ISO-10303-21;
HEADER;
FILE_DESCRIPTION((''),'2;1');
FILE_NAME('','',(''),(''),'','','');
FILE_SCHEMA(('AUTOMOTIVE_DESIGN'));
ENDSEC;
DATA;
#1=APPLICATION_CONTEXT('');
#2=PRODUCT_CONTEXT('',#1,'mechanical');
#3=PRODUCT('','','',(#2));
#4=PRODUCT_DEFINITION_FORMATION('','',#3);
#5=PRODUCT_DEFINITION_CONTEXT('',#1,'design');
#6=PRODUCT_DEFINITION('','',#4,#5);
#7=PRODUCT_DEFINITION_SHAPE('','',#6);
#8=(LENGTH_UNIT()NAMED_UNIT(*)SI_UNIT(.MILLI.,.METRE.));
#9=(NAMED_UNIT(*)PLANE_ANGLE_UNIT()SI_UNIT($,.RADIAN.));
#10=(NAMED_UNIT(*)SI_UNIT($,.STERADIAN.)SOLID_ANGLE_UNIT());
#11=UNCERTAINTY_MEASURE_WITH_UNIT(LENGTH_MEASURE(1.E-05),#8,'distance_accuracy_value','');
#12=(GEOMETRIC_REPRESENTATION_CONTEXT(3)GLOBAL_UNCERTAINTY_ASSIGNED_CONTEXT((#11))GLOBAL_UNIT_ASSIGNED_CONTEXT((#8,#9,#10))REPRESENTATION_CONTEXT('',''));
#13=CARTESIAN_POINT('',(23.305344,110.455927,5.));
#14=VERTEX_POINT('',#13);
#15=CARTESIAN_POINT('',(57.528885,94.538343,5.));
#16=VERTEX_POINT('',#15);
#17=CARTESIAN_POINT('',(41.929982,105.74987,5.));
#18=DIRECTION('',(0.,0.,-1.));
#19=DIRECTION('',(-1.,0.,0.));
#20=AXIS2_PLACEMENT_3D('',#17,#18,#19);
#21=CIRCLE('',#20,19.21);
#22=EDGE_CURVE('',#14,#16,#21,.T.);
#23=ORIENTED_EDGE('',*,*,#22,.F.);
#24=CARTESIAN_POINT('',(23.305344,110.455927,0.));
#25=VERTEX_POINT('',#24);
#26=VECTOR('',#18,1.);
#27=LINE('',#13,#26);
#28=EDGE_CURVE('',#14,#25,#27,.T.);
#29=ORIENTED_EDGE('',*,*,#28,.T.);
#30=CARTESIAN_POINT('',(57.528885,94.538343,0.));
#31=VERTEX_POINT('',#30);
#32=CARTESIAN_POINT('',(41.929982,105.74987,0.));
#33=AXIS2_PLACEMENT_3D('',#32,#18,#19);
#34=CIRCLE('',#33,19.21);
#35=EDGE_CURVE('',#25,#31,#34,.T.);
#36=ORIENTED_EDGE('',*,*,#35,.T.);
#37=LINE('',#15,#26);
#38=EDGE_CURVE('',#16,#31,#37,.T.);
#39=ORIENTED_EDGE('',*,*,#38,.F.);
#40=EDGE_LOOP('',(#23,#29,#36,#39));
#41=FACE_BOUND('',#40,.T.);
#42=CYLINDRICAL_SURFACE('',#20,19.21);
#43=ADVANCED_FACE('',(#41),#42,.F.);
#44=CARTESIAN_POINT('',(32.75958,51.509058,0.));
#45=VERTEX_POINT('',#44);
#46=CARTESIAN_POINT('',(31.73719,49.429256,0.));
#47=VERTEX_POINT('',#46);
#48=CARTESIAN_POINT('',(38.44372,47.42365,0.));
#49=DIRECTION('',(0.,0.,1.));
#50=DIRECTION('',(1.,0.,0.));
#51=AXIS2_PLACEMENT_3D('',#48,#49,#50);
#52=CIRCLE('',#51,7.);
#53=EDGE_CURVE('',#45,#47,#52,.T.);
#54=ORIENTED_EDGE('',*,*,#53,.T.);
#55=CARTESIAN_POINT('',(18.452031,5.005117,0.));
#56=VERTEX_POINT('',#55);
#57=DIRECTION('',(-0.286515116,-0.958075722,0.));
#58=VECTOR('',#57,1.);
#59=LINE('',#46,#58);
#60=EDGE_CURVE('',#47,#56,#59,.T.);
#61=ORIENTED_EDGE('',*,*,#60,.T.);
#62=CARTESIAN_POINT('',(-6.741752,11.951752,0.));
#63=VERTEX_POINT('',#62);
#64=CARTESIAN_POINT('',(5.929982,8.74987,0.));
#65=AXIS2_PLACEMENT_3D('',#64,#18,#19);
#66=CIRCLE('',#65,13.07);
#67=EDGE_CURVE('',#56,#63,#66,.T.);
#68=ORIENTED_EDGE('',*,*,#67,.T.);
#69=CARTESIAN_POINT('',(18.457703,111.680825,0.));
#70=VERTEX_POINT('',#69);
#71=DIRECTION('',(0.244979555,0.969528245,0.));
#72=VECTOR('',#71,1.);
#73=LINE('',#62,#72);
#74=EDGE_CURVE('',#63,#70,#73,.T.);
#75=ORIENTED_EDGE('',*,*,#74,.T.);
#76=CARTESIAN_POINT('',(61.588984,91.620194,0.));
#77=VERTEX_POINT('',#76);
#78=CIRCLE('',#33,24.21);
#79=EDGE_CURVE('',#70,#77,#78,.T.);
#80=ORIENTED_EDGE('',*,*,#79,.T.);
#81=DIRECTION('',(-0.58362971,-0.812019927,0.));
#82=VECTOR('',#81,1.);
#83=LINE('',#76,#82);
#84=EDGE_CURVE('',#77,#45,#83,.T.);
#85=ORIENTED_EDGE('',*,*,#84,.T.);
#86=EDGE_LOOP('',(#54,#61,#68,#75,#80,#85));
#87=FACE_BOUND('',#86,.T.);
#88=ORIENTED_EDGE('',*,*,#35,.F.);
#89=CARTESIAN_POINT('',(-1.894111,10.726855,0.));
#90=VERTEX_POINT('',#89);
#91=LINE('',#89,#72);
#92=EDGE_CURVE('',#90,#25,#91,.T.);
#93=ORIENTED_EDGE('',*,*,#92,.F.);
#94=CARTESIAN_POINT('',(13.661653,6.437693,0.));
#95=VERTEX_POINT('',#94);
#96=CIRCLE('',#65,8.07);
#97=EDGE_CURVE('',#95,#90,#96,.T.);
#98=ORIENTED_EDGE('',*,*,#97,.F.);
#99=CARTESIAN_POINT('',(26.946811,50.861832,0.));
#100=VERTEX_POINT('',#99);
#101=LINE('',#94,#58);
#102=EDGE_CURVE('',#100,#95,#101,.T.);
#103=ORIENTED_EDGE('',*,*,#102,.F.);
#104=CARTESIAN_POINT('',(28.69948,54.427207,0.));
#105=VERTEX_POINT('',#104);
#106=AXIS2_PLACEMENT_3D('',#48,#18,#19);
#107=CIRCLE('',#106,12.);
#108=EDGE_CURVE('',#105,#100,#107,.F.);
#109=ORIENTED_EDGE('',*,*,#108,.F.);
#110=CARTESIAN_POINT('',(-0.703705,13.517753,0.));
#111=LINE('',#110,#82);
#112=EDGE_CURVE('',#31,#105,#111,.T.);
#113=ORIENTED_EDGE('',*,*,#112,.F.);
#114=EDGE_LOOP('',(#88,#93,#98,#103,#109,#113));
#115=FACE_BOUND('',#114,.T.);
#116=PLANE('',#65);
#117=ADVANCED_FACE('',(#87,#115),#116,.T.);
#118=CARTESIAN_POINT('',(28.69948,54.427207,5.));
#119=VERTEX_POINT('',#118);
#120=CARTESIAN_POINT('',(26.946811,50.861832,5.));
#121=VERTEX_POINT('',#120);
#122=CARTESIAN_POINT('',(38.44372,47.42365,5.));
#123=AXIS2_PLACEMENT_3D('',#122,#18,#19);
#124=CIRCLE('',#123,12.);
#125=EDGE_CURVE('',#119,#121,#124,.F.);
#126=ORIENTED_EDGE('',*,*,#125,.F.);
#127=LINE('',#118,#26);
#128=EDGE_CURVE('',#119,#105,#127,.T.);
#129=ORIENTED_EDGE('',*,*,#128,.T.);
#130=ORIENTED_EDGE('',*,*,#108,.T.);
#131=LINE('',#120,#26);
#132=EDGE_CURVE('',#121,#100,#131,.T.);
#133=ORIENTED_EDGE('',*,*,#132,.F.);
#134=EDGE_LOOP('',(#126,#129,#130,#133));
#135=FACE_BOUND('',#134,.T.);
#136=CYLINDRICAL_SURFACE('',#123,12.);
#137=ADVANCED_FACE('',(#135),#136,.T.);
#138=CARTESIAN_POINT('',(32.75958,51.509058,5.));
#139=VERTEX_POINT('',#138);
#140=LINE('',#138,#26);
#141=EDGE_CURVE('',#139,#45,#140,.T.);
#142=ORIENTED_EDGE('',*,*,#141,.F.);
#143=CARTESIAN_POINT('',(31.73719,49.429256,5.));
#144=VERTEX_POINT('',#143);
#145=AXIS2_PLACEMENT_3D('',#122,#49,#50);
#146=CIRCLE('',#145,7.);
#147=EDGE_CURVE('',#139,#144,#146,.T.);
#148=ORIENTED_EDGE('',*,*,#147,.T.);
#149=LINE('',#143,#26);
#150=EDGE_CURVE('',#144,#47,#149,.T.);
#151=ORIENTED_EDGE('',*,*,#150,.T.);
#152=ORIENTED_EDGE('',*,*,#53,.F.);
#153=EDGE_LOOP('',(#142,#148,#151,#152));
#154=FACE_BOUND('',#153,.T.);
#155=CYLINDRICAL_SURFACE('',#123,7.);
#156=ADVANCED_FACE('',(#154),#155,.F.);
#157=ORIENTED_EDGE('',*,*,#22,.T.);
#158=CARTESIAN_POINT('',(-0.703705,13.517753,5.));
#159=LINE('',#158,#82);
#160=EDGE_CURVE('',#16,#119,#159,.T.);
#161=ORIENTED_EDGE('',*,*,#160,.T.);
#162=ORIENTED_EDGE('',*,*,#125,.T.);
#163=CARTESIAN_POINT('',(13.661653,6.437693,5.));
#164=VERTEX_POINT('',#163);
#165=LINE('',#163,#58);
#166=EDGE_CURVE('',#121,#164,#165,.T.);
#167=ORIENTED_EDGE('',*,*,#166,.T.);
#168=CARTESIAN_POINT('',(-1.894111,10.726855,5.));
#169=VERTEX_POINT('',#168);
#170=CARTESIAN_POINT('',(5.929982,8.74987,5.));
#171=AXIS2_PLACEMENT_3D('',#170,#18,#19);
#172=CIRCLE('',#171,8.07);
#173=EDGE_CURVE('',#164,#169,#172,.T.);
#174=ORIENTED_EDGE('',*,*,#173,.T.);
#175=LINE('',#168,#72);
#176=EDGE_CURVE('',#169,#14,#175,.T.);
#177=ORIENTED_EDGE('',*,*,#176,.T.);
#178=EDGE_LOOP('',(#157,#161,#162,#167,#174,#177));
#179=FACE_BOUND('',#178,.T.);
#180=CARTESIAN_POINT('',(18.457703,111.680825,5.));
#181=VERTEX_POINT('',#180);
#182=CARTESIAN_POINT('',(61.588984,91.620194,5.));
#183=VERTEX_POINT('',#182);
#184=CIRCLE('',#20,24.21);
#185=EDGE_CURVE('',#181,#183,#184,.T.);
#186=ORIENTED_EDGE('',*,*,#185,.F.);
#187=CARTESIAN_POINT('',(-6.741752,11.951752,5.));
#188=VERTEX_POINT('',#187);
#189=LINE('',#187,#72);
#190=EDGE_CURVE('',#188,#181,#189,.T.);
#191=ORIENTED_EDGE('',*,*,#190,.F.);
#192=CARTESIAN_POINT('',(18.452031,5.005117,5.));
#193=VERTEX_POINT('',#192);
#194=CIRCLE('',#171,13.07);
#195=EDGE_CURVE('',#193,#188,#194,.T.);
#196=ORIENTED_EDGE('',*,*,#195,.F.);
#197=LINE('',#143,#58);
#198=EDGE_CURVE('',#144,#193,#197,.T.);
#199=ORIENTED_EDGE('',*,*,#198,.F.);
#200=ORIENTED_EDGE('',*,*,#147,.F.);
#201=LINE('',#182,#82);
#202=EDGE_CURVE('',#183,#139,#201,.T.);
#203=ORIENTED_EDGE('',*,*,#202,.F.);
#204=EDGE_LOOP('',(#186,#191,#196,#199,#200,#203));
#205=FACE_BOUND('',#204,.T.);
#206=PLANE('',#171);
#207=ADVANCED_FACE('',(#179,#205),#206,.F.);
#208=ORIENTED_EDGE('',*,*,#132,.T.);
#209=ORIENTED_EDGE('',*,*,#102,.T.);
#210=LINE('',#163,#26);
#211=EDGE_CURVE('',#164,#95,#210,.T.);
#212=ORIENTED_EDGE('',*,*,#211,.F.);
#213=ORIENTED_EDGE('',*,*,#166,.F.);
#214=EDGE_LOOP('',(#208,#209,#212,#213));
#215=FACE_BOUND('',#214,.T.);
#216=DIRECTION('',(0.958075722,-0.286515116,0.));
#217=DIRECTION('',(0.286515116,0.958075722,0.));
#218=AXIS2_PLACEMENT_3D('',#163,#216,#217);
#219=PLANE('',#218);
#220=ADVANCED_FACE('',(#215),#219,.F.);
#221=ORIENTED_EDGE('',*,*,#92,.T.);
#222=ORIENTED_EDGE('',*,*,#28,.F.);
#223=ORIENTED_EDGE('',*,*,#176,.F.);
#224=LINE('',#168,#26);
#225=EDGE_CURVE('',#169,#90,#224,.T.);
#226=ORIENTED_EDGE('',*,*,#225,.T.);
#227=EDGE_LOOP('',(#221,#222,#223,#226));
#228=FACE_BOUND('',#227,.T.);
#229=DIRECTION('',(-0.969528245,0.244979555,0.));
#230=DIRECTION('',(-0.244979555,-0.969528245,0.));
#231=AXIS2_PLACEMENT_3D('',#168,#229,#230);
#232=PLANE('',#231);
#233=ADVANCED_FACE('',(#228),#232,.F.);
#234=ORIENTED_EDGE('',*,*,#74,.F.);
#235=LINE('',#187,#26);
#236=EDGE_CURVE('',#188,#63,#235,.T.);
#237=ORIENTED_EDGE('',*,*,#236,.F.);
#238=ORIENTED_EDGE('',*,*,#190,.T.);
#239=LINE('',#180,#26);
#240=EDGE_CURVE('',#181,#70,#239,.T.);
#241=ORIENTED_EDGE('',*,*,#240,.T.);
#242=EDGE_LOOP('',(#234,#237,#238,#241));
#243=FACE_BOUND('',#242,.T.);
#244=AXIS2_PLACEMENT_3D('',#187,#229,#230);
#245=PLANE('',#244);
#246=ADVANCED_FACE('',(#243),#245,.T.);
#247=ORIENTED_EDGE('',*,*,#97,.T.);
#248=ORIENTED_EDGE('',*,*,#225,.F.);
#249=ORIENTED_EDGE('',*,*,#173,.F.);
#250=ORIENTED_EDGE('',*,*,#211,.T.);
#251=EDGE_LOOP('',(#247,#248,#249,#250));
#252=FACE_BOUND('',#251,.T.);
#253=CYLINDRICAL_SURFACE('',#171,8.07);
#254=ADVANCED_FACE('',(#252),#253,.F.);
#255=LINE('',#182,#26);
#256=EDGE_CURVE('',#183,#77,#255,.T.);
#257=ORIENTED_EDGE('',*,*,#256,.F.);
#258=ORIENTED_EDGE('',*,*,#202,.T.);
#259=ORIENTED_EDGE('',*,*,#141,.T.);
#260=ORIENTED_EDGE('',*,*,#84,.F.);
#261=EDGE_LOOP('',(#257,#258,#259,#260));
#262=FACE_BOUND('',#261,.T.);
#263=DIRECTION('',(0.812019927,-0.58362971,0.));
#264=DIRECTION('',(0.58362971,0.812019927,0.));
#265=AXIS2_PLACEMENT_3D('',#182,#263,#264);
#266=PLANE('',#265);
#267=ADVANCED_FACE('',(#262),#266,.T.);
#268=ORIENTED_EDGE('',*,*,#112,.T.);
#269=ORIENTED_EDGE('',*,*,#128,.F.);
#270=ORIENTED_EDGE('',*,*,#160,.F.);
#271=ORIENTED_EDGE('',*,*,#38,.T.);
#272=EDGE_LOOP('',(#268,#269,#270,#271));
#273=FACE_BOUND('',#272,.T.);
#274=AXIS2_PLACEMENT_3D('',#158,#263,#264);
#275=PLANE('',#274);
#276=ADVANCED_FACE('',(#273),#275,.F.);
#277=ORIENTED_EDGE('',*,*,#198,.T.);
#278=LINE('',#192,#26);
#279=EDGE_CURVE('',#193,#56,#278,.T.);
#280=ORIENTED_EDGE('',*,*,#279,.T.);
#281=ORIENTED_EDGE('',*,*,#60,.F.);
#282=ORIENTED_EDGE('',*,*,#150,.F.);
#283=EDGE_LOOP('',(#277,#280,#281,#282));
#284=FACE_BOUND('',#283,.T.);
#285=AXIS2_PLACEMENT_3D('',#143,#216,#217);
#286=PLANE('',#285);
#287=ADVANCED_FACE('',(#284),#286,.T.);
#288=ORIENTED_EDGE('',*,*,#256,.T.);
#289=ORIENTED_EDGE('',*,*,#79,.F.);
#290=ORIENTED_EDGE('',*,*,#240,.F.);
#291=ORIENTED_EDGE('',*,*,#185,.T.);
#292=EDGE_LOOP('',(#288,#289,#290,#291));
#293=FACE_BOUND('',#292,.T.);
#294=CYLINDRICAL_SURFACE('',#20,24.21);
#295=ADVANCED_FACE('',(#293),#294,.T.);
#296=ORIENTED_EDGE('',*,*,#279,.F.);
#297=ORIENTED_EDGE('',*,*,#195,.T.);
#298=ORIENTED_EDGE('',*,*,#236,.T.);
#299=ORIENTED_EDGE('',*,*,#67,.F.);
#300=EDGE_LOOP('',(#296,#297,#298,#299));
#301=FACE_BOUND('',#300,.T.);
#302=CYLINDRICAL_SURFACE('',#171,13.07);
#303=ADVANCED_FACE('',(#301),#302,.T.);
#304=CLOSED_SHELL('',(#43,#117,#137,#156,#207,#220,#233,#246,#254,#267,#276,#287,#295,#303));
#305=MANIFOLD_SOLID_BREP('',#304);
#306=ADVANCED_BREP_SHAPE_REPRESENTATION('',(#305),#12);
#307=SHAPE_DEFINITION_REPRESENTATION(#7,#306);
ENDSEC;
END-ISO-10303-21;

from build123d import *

# Parameters (mm, degrees)
EXTRUDE_THIN1_DEPTH = 5


with BuildPart() as part:
    # Sketch2 → Extrude-Thin1 (new body)
    with BuildSketch(Plane.XY):
        with BuildLine():
            Line((31.737189524, 49.429256179), (18.452031438, 5.005116936))
            ThreePointArc((18.452031438, 5.005116936), (2.455857834, -3.849946484), (-6.741752404, 11.951752286))
            Line((-6.741752404, 11.951752286), (18.457702948, 111.680824527))
            ThreePointArc((18.457702948, 111.680824527), (52.139902973, 127.701671453), (61.588984186, 91.620194226))
            Line((61.588984186, 91.620194226), (32.759580087, 51.509058335))
            ThreePointArc((32.759580087, 51.509058335), (32.16171614, 50.511761899), (31.737189524, 49.429256179))
        make_face()
        with BuildLine():
            Line((26.946810916, 50.86183176), (13.66165283, 6.437692517))
            ThreePointArc((13.66165283, 6.437692517), (3.784902946, 0.97018205), (-1.894111179, 10.726854512))
            Line((-1.894111179, 10.726854512), (23.305344172, 110.455926753))
            ThreePointArc((23.305344172, 110.455926753), (50.031286447, 123.168048581), (57.528884552, 94.538342776))
            Line((57.528884552, 94.538342776), (28.699480452, 54.427206885))
            ThreePointArc((28.699480452, 54.427206885), (27.674570829, 52.717555851), (26.946810916, 50.86183176))
        make_face(mode=Mode.SUBTRACT)
    extrude(amount=EXTRUDE_THIN1_DEPTH)


solid = part.part
